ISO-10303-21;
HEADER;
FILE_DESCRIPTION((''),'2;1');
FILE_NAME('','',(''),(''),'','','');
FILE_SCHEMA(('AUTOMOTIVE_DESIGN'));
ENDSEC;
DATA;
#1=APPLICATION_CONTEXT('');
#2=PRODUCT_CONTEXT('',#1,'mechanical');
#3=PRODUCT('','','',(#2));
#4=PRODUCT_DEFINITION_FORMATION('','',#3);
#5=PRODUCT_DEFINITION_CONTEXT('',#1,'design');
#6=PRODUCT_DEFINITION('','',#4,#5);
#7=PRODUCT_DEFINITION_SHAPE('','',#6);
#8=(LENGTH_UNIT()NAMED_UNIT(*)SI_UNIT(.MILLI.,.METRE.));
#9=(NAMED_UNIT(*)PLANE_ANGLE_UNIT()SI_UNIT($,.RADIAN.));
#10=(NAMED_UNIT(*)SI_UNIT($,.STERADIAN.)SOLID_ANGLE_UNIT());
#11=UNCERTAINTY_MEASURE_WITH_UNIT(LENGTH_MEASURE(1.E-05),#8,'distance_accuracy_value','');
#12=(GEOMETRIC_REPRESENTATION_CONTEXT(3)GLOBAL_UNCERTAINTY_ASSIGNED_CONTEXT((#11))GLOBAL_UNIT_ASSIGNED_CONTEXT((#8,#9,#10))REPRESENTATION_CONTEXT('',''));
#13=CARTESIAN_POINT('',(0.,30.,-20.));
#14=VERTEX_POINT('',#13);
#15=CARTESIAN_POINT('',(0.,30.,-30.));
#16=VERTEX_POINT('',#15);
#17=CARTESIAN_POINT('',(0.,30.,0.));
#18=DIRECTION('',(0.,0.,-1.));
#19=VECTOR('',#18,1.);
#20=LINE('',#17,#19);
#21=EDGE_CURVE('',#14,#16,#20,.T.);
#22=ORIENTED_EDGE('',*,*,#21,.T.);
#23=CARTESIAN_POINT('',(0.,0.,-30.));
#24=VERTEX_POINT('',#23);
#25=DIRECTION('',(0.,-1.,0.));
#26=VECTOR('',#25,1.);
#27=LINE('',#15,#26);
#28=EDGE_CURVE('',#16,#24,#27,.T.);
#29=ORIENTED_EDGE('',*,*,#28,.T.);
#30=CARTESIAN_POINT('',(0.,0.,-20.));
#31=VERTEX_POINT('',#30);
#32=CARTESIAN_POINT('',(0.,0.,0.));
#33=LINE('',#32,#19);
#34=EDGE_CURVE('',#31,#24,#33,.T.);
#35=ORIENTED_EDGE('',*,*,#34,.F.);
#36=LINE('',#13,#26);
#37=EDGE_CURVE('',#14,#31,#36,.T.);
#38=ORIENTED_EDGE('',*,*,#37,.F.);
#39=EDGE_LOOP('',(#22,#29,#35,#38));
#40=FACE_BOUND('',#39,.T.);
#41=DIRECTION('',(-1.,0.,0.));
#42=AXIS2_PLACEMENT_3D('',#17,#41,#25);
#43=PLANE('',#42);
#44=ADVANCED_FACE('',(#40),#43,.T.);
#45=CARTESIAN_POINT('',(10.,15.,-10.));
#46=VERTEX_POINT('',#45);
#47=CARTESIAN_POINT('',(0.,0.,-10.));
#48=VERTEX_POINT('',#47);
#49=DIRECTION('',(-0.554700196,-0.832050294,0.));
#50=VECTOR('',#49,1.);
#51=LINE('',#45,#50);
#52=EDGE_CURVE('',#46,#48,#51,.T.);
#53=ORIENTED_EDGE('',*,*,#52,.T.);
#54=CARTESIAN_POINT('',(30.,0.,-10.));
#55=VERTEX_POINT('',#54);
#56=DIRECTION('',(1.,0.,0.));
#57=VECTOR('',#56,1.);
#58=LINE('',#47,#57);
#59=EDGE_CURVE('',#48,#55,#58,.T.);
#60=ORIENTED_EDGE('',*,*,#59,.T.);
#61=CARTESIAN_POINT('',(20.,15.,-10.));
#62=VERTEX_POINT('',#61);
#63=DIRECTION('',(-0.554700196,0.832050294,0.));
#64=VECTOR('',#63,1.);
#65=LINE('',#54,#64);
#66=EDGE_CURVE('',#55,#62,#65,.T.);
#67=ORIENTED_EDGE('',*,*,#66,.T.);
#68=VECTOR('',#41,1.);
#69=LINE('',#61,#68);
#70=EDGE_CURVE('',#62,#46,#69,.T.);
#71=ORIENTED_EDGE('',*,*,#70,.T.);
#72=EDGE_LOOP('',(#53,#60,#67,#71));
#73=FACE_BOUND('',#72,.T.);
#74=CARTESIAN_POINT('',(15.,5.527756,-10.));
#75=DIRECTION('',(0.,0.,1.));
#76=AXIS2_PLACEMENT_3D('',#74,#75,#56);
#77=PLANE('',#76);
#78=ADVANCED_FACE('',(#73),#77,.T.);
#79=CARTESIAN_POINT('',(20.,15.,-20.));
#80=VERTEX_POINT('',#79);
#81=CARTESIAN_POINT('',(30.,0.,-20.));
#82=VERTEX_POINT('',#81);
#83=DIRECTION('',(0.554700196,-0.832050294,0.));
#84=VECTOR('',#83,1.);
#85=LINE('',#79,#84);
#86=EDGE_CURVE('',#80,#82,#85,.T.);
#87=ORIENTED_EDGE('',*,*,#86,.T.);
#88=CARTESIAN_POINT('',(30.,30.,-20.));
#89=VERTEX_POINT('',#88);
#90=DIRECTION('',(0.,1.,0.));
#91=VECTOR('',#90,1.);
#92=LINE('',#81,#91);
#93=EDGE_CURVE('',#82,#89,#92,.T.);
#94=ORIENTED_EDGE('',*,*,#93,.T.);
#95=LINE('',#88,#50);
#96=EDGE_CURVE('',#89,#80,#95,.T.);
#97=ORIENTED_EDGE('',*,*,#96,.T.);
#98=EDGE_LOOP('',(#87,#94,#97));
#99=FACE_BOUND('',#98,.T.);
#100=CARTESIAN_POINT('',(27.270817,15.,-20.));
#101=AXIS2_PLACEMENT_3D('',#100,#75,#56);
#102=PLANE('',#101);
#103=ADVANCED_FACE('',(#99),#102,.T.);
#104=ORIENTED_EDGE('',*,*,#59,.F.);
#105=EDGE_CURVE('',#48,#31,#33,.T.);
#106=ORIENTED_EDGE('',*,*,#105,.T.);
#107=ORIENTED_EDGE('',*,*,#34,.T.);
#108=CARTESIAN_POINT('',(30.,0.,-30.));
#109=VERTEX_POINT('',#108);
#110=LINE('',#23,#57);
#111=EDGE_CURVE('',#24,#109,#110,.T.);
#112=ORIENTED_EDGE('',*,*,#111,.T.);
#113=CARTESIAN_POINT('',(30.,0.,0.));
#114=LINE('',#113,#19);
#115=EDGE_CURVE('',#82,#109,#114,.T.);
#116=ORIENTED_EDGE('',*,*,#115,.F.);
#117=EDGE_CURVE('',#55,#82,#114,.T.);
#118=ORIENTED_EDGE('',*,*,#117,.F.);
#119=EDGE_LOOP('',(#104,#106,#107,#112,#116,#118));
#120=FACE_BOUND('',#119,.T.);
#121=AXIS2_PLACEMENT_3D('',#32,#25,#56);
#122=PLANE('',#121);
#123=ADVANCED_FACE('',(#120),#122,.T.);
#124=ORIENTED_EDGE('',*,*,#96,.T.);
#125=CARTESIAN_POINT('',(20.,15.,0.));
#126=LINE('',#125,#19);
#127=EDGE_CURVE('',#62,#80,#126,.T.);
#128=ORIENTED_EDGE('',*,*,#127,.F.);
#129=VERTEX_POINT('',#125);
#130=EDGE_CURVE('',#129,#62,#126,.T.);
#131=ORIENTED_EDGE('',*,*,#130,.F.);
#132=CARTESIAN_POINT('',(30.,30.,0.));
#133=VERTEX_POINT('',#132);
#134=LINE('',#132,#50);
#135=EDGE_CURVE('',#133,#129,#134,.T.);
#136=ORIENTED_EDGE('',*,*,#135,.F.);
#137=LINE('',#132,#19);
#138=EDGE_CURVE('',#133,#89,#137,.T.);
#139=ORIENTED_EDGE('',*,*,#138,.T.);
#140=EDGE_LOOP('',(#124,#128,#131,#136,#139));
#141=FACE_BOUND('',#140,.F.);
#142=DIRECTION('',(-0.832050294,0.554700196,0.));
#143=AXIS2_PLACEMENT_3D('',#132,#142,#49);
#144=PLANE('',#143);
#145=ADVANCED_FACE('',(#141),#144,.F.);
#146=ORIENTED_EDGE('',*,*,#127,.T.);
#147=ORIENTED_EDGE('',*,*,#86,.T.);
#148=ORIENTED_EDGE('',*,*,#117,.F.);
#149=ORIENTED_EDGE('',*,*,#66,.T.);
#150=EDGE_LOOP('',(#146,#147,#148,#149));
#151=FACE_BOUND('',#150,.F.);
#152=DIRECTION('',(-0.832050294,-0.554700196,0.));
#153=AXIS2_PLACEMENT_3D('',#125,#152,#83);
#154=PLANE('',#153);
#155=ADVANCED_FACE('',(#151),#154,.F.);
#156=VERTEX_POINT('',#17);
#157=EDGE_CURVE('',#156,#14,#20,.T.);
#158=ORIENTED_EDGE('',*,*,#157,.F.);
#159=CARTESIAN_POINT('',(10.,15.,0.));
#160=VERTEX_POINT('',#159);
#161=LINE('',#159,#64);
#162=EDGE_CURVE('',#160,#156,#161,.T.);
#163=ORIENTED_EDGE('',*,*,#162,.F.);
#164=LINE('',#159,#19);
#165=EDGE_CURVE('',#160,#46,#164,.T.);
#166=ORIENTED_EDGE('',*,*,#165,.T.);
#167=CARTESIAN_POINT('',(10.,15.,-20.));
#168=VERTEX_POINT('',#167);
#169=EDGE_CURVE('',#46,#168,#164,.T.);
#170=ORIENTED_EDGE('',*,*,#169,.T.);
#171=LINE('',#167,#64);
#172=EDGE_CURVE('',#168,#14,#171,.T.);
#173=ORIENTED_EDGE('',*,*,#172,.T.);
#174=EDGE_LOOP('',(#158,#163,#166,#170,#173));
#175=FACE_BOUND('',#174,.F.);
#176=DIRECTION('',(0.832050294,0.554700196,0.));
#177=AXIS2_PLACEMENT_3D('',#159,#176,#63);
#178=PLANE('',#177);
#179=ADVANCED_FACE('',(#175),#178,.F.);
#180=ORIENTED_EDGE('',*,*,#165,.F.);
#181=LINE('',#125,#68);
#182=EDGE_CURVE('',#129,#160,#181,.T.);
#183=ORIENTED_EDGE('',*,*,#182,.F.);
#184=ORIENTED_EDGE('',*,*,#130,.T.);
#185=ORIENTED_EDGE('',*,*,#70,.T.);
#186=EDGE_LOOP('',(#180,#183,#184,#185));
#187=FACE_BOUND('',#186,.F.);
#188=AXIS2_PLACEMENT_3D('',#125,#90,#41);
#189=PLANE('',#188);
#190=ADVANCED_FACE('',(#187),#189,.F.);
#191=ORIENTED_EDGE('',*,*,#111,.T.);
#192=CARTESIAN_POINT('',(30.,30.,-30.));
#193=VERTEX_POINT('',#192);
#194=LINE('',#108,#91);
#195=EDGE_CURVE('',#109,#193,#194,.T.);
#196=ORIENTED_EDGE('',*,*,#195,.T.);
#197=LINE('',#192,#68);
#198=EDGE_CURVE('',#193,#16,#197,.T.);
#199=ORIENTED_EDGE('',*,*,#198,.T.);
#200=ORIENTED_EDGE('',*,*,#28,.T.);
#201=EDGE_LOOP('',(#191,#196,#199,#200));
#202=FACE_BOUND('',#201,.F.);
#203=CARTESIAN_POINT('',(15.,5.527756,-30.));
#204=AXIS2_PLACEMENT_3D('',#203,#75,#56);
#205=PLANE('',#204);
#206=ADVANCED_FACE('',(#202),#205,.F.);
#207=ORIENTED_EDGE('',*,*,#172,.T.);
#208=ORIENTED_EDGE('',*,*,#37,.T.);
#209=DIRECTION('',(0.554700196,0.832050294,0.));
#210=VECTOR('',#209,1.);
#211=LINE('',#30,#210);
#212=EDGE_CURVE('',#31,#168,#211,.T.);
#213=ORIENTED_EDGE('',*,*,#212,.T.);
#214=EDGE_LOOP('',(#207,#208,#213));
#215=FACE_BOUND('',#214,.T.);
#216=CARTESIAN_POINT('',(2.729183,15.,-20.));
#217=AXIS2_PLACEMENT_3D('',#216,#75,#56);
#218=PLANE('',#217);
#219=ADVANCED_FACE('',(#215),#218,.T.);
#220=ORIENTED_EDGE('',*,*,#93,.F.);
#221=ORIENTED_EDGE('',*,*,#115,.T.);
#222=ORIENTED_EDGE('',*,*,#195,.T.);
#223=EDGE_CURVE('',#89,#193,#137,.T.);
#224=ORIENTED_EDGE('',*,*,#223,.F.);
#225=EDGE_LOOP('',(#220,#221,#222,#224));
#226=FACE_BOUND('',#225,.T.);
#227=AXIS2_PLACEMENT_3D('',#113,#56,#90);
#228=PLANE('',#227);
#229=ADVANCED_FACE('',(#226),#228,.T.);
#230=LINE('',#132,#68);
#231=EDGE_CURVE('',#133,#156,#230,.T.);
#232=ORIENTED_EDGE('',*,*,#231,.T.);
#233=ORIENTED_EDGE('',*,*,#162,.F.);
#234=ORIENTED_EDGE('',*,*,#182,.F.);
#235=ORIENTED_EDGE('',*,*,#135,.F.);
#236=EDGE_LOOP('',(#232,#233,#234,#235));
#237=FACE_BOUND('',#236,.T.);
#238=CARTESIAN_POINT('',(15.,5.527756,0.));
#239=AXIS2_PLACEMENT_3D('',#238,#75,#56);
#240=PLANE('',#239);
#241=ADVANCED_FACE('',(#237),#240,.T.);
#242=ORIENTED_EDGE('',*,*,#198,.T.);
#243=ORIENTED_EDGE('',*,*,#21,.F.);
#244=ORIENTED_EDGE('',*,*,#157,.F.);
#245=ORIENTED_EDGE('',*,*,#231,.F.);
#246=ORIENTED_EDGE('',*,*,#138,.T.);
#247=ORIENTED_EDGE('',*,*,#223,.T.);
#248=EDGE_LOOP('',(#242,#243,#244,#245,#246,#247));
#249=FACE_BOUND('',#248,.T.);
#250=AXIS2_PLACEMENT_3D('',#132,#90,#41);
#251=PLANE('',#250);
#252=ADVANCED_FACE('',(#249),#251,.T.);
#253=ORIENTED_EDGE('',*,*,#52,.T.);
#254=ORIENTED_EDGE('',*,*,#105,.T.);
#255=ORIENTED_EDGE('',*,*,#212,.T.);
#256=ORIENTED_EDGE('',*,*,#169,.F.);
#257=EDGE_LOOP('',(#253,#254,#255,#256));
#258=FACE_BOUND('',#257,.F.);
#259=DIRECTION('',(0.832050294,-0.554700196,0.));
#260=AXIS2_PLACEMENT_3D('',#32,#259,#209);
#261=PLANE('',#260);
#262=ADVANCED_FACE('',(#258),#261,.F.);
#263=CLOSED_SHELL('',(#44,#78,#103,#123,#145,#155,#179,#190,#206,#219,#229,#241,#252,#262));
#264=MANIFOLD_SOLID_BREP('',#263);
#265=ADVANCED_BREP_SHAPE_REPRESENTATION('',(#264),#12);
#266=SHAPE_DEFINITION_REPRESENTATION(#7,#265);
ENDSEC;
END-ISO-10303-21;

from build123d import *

# Parameters (mm, degrees)
F1_DEPTH = 30
F2_DEPTH = 10
F3_DEPTH = 20


with BuildPart() as f1:
    # F0 (on Top) → F1 (new body)
    with BuildSketch(Plane.XY):
        Polygon((10, 15), (0, 0), (30, 0), (20, 15), align=None)
        Polygon((0, 30), (0, 0), (10, 15), align=None)
        Polygon((20, 15), (30, 0), (30, 30), align=None)
        Polygon((30, 30), (0, 30), (10, 15), (20, 15), align=None)
    extrude(amount=-F1_DEPTH)

    # F0 (on Top) → F2 (cut)
    with BuildSketch(Plane.XY):
        Polygon((10, 15), (0, 0), (30, 0), (20, 15), align=None)
    extrude(amount=-F2_DEPTH, mode=Mode.SUBTRACT)

    # F0 (on Top) → F3 (cut)
    with BuildSketch(Plane.XY):
        Polygon((0, 30), (0, 0), (10, 15), align=None)
        Polygon((20, 15), (30, 0), (30, 30), align=None)
    extrude(amount=-F3_DEPTH, mode=Mode.SUBTRACT)


solid = f1.part
